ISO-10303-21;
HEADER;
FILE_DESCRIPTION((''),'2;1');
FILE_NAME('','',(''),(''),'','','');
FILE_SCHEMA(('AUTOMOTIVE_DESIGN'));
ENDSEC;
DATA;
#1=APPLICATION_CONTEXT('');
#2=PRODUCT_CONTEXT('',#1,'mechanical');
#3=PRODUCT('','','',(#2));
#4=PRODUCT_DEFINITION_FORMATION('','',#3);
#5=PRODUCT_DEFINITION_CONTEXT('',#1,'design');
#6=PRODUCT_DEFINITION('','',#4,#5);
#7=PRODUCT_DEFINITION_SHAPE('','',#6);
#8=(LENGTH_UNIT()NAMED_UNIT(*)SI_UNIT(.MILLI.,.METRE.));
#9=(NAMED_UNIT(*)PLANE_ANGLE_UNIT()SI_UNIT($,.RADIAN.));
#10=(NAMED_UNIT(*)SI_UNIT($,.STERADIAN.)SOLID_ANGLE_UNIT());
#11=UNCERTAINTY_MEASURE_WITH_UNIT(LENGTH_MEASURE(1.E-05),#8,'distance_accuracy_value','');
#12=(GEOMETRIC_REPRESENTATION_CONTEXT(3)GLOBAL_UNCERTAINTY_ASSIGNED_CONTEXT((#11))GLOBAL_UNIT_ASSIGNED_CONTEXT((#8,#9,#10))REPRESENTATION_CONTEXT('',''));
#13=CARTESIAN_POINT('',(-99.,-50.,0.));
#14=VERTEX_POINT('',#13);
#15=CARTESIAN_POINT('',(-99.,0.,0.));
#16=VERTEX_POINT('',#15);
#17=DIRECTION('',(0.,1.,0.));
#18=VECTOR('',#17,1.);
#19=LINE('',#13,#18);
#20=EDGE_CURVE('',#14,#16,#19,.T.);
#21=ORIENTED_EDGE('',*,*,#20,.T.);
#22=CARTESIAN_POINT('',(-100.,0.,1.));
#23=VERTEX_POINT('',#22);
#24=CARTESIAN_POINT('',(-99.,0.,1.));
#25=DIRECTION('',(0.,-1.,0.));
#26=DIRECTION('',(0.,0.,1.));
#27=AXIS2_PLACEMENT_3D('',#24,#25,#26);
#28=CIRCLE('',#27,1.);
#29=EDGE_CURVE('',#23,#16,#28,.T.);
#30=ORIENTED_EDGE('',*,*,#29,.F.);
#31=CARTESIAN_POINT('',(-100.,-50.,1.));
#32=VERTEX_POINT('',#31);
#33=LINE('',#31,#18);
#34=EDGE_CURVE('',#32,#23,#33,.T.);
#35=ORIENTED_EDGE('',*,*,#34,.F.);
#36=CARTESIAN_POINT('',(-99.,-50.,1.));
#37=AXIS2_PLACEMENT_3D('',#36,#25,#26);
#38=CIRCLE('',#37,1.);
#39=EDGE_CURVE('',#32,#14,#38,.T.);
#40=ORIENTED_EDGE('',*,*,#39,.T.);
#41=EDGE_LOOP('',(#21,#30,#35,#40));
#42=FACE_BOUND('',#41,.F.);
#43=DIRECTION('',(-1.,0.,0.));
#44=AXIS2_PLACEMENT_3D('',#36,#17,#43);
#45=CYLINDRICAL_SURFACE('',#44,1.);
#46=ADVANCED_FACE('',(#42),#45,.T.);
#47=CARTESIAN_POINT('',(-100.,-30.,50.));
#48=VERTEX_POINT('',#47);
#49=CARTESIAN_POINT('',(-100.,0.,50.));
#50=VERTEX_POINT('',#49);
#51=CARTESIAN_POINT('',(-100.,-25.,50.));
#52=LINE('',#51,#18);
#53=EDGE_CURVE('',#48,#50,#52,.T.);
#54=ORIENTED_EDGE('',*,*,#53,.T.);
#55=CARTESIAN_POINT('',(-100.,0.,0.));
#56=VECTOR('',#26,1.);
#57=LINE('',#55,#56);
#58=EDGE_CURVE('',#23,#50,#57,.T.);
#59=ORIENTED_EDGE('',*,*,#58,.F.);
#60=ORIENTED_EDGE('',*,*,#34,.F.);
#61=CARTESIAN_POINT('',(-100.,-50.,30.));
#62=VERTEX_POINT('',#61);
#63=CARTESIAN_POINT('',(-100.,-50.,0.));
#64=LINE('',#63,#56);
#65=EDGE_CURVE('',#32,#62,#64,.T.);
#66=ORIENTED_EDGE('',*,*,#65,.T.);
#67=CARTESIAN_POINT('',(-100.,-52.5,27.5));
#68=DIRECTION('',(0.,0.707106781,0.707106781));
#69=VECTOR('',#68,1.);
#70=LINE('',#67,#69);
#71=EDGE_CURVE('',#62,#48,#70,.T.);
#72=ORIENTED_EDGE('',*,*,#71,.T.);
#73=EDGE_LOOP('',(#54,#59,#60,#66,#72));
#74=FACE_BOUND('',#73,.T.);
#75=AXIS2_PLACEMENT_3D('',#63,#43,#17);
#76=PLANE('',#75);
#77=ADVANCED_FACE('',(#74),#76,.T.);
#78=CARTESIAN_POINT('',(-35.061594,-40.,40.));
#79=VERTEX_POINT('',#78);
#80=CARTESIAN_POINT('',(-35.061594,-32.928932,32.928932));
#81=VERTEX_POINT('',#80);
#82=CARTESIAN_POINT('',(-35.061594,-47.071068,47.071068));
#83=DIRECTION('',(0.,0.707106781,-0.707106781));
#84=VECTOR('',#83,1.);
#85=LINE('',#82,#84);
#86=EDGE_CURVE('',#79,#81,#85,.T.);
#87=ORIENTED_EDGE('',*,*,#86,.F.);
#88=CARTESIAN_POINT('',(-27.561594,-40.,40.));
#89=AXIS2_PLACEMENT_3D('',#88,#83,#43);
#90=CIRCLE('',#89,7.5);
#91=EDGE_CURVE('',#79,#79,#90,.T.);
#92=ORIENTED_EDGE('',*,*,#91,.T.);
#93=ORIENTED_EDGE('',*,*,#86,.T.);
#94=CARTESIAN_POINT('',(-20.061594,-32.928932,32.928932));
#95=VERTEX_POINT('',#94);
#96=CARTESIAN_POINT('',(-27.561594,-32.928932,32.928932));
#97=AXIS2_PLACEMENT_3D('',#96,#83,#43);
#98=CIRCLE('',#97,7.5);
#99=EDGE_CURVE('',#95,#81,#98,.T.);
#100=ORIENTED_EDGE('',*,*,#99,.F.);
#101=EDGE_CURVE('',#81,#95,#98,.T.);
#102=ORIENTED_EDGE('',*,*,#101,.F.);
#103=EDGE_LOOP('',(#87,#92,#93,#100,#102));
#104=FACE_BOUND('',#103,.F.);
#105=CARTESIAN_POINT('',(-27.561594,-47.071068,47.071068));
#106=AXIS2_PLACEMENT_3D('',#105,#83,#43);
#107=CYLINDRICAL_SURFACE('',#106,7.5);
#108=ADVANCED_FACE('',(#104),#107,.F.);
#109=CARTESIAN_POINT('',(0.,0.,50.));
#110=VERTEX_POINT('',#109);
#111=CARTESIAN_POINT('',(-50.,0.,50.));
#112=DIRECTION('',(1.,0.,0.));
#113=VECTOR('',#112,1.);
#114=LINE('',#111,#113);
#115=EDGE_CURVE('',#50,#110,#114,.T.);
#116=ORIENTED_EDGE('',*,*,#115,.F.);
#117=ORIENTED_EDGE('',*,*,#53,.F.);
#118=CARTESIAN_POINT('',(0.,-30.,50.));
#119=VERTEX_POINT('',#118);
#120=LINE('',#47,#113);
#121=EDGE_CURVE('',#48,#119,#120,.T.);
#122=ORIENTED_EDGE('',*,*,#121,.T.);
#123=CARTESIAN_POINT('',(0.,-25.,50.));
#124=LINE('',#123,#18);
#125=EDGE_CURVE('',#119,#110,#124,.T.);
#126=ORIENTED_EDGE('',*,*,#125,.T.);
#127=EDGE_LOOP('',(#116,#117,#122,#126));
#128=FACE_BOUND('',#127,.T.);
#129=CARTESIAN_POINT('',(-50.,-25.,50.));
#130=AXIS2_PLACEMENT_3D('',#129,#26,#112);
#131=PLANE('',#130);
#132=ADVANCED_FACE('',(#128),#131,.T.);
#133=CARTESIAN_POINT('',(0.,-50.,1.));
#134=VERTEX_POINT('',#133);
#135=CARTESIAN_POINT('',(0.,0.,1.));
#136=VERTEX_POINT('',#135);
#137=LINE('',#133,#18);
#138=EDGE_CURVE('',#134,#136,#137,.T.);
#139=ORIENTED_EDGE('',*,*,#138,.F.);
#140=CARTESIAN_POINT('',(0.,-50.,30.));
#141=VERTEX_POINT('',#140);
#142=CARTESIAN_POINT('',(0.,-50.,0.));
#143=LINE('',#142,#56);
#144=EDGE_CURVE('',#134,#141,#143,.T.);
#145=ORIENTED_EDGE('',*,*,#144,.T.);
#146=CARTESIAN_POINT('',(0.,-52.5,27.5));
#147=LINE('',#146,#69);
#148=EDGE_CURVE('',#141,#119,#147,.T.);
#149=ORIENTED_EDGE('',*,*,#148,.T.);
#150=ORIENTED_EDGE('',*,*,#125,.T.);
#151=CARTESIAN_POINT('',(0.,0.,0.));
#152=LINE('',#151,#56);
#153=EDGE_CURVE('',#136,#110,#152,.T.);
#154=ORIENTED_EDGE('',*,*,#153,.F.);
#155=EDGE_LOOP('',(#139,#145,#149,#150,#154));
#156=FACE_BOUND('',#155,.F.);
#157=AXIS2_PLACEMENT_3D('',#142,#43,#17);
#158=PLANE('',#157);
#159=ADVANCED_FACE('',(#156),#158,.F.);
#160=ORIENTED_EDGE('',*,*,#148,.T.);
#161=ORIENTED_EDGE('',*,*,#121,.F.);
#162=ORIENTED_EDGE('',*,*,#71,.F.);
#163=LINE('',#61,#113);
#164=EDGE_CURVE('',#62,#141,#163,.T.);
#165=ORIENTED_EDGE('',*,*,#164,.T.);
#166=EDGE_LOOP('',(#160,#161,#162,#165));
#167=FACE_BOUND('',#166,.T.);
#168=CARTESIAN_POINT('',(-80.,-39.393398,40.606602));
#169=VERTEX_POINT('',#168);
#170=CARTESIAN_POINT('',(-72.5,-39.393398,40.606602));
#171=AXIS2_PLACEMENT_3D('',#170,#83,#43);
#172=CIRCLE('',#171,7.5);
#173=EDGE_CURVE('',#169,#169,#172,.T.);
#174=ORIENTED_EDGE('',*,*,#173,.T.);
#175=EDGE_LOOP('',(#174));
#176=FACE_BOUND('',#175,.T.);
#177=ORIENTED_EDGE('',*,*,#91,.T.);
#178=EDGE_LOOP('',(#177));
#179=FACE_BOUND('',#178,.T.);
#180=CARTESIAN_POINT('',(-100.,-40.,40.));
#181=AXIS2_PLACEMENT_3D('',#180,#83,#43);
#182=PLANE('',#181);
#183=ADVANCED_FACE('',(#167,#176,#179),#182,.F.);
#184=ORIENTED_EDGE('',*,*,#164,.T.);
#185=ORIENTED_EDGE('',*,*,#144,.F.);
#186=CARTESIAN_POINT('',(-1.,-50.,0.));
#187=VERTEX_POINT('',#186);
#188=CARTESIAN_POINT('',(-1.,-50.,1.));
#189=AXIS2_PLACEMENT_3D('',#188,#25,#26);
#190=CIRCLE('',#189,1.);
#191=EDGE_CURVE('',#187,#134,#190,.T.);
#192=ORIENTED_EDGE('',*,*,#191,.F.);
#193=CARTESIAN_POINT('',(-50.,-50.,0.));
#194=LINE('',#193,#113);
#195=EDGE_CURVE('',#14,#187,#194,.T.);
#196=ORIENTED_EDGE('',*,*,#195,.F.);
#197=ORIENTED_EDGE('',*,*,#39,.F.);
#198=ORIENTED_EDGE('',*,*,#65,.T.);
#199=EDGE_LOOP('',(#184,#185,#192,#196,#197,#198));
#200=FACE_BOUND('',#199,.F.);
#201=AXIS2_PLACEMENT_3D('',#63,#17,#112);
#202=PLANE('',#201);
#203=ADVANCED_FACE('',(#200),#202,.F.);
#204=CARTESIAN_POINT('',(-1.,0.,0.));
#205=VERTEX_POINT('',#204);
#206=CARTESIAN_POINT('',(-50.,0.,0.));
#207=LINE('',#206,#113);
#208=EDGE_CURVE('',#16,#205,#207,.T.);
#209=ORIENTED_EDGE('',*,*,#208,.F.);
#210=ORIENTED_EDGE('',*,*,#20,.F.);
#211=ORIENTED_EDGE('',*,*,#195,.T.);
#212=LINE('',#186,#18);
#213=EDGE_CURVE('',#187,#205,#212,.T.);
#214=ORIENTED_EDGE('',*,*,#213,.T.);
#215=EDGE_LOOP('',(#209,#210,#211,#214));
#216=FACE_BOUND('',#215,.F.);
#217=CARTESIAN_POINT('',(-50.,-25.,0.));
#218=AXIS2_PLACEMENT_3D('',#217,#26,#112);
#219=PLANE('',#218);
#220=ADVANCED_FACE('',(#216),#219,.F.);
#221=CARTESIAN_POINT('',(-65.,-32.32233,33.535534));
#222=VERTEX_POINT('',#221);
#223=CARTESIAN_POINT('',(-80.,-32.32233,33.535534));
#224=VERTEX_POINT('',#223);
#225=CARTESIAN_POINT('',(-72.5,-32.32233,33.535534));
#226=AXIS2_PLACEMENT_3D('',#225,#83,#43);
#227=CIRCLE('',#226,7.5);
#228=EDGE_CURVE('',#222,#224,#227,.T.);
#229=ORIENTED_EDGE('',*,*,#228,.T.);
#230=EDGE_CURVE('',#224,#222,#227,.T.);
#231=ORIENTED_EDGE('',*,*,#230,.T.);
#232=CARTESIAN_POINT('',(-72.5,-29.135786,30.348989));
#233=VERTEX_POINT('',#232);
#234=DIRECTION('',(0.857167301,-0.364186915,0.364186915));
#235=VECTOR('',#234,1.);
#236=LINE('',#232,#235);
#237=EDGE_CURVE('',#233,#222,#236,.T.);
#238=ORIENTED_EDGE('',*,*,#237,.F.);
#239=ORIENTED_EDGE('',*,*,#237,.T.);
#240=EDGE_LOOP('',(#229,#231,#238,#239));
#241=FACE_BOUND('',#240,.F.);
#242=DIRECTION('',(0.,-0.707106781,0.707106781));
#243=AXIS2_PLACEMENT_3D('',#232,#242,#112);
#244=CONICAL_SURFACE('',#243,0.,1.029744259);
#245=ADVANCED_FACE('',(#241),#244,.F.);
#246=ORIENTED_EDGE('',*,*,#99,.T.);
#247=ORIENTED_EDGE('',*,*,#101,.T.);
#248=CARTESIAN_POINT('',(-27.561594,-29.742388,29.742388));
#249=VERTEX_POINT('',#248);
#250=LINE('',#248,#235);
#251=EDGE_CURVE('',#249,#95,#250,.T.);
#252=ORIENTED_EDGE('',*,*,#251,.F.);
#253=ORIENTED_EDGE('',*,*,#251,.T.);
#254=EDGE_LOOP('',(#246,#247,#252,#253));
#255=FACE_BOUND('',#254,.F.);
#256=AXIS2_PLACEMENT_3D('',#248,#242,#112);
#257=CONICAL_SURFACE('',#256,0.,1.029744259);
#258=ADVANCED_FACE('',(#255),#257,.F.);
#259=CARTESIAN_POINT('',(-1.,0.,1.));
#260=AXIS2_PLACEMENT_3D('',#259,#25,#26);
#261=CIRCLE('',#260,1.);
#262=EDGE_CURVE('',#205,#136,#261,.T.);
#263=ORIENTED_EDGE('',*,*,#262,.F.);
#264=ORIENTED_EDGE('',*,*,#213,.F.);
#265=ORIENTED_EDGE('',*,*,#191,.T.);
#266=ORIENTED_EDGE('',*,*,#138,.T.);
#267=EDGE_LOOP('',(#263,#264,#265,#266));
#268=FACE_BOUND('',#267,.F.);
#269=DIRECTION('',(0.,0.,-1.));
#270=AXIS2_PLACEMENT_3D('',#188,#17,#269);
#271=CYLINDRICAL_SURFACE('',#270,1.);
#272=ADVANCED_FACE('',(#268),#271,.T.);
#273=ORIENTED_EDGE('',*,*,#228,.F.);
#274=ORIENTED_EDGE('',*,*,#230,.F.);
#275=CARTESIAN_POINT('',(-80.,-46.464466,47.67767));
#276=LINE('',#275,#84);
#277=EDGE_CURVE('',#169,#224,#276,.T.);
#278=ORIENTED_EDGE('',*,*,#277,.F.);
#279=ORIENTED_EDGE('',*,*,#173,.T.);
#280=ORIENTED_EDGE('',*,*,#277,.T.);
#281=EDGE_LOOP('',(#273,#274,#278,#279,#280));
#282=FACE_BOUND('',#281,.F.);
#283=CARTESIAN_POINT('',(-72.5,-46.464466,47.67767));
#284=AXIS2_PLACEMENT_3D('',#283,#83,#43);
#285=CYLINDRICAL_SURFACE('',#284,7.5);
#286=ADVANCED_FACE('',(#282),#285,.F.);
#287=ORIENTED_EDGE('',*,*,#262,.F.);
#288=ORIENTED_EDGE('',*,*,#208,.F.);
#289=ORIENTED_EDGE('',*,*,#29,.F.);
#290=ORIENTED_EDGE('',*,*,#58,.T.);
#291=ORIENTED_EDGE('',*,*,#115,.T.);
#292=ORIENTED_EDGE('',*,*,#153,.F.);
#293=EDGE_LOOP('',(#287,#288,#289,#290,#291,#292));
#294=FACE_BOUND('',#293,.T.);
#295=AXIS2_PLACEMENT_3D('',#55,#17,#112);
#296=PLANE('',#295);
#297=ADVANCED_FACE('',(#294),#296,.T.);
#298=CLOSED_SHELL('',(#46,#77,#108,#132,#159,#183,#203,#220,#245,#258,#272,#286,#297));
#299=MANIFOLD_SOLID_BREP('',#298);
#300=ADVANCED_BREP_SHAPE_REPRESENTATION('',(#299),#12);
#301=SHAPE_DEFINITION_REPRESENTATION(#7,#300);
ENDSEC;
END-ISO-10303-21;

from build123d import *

# Parameters (mm, degrees)
F0_W     = 100
F0_H     = 50
F1_DEPTH = 50
F2_SIZE  = 20
F5_D     = 15
F5_DEPTH = 10
F5_TIP   = 4.5064546427
F6_D     = 15
F6_DEPTH = 10
F6_TIP   = 4.5064546427
F7_R     = 1


with BuildPart() as f1:
    # F0 (on Top) → F1 (new body)
    with BuildSketch(Plane.XY):
        with Locations((-50, -25)):
            Rectangle(F0_W, F0_H)
    extrude(amount=F1_DEPTH)

    # F2
    f2_edges = [f1.edges().sort_by_distance(p)[0] for p in [
        (-50, -50, 50),
    ]]
    chamfer(f2_edges, length=F2_SIZE)

    # F5
    with Locations(Plane(origin=(0, -40, 40), x_dir=(1, 0, 0), z_dir=(0, -0.7071067812, 0.7071067812))):
        with Locations((-27.5615938008, 0)):
            Hole(F5_D / 2, depth=F5_DEPTH)
            with Locations((0, 0, -(F5_DEPTH + F5_TIP / 2))):  # 118° drill point
                Cone(0, F5_D / 2, F5_TIP, mode=Mode.SUBTRACT)

    # F6
    with Locations(Plane(origin=(0, -40, 40), x_dir=(1, 0, 0), z_dir=(0, -0.7071067812, 0.7071067812))):
        with Locations((-72.5, 0.8578643763)):
            Hole(F6_D / 2, depth=F6_DEPTH)
            with Locations((0, 0, -(F6_DEPTH + F6_TIP / 2))):  # 118° drill point
                Cone(0, F6_D / 2, F6_TIP, mode=Mode.SUBTRACT)

    # F7
    f7_edges = [f1.edges().sort_by_distance(p)[0] for p in [
        (0, -25, 0),
        (-100, -25, 0),
    ]]
    fillet(f7_edges, radius=F7_R)


solid = f1.part
